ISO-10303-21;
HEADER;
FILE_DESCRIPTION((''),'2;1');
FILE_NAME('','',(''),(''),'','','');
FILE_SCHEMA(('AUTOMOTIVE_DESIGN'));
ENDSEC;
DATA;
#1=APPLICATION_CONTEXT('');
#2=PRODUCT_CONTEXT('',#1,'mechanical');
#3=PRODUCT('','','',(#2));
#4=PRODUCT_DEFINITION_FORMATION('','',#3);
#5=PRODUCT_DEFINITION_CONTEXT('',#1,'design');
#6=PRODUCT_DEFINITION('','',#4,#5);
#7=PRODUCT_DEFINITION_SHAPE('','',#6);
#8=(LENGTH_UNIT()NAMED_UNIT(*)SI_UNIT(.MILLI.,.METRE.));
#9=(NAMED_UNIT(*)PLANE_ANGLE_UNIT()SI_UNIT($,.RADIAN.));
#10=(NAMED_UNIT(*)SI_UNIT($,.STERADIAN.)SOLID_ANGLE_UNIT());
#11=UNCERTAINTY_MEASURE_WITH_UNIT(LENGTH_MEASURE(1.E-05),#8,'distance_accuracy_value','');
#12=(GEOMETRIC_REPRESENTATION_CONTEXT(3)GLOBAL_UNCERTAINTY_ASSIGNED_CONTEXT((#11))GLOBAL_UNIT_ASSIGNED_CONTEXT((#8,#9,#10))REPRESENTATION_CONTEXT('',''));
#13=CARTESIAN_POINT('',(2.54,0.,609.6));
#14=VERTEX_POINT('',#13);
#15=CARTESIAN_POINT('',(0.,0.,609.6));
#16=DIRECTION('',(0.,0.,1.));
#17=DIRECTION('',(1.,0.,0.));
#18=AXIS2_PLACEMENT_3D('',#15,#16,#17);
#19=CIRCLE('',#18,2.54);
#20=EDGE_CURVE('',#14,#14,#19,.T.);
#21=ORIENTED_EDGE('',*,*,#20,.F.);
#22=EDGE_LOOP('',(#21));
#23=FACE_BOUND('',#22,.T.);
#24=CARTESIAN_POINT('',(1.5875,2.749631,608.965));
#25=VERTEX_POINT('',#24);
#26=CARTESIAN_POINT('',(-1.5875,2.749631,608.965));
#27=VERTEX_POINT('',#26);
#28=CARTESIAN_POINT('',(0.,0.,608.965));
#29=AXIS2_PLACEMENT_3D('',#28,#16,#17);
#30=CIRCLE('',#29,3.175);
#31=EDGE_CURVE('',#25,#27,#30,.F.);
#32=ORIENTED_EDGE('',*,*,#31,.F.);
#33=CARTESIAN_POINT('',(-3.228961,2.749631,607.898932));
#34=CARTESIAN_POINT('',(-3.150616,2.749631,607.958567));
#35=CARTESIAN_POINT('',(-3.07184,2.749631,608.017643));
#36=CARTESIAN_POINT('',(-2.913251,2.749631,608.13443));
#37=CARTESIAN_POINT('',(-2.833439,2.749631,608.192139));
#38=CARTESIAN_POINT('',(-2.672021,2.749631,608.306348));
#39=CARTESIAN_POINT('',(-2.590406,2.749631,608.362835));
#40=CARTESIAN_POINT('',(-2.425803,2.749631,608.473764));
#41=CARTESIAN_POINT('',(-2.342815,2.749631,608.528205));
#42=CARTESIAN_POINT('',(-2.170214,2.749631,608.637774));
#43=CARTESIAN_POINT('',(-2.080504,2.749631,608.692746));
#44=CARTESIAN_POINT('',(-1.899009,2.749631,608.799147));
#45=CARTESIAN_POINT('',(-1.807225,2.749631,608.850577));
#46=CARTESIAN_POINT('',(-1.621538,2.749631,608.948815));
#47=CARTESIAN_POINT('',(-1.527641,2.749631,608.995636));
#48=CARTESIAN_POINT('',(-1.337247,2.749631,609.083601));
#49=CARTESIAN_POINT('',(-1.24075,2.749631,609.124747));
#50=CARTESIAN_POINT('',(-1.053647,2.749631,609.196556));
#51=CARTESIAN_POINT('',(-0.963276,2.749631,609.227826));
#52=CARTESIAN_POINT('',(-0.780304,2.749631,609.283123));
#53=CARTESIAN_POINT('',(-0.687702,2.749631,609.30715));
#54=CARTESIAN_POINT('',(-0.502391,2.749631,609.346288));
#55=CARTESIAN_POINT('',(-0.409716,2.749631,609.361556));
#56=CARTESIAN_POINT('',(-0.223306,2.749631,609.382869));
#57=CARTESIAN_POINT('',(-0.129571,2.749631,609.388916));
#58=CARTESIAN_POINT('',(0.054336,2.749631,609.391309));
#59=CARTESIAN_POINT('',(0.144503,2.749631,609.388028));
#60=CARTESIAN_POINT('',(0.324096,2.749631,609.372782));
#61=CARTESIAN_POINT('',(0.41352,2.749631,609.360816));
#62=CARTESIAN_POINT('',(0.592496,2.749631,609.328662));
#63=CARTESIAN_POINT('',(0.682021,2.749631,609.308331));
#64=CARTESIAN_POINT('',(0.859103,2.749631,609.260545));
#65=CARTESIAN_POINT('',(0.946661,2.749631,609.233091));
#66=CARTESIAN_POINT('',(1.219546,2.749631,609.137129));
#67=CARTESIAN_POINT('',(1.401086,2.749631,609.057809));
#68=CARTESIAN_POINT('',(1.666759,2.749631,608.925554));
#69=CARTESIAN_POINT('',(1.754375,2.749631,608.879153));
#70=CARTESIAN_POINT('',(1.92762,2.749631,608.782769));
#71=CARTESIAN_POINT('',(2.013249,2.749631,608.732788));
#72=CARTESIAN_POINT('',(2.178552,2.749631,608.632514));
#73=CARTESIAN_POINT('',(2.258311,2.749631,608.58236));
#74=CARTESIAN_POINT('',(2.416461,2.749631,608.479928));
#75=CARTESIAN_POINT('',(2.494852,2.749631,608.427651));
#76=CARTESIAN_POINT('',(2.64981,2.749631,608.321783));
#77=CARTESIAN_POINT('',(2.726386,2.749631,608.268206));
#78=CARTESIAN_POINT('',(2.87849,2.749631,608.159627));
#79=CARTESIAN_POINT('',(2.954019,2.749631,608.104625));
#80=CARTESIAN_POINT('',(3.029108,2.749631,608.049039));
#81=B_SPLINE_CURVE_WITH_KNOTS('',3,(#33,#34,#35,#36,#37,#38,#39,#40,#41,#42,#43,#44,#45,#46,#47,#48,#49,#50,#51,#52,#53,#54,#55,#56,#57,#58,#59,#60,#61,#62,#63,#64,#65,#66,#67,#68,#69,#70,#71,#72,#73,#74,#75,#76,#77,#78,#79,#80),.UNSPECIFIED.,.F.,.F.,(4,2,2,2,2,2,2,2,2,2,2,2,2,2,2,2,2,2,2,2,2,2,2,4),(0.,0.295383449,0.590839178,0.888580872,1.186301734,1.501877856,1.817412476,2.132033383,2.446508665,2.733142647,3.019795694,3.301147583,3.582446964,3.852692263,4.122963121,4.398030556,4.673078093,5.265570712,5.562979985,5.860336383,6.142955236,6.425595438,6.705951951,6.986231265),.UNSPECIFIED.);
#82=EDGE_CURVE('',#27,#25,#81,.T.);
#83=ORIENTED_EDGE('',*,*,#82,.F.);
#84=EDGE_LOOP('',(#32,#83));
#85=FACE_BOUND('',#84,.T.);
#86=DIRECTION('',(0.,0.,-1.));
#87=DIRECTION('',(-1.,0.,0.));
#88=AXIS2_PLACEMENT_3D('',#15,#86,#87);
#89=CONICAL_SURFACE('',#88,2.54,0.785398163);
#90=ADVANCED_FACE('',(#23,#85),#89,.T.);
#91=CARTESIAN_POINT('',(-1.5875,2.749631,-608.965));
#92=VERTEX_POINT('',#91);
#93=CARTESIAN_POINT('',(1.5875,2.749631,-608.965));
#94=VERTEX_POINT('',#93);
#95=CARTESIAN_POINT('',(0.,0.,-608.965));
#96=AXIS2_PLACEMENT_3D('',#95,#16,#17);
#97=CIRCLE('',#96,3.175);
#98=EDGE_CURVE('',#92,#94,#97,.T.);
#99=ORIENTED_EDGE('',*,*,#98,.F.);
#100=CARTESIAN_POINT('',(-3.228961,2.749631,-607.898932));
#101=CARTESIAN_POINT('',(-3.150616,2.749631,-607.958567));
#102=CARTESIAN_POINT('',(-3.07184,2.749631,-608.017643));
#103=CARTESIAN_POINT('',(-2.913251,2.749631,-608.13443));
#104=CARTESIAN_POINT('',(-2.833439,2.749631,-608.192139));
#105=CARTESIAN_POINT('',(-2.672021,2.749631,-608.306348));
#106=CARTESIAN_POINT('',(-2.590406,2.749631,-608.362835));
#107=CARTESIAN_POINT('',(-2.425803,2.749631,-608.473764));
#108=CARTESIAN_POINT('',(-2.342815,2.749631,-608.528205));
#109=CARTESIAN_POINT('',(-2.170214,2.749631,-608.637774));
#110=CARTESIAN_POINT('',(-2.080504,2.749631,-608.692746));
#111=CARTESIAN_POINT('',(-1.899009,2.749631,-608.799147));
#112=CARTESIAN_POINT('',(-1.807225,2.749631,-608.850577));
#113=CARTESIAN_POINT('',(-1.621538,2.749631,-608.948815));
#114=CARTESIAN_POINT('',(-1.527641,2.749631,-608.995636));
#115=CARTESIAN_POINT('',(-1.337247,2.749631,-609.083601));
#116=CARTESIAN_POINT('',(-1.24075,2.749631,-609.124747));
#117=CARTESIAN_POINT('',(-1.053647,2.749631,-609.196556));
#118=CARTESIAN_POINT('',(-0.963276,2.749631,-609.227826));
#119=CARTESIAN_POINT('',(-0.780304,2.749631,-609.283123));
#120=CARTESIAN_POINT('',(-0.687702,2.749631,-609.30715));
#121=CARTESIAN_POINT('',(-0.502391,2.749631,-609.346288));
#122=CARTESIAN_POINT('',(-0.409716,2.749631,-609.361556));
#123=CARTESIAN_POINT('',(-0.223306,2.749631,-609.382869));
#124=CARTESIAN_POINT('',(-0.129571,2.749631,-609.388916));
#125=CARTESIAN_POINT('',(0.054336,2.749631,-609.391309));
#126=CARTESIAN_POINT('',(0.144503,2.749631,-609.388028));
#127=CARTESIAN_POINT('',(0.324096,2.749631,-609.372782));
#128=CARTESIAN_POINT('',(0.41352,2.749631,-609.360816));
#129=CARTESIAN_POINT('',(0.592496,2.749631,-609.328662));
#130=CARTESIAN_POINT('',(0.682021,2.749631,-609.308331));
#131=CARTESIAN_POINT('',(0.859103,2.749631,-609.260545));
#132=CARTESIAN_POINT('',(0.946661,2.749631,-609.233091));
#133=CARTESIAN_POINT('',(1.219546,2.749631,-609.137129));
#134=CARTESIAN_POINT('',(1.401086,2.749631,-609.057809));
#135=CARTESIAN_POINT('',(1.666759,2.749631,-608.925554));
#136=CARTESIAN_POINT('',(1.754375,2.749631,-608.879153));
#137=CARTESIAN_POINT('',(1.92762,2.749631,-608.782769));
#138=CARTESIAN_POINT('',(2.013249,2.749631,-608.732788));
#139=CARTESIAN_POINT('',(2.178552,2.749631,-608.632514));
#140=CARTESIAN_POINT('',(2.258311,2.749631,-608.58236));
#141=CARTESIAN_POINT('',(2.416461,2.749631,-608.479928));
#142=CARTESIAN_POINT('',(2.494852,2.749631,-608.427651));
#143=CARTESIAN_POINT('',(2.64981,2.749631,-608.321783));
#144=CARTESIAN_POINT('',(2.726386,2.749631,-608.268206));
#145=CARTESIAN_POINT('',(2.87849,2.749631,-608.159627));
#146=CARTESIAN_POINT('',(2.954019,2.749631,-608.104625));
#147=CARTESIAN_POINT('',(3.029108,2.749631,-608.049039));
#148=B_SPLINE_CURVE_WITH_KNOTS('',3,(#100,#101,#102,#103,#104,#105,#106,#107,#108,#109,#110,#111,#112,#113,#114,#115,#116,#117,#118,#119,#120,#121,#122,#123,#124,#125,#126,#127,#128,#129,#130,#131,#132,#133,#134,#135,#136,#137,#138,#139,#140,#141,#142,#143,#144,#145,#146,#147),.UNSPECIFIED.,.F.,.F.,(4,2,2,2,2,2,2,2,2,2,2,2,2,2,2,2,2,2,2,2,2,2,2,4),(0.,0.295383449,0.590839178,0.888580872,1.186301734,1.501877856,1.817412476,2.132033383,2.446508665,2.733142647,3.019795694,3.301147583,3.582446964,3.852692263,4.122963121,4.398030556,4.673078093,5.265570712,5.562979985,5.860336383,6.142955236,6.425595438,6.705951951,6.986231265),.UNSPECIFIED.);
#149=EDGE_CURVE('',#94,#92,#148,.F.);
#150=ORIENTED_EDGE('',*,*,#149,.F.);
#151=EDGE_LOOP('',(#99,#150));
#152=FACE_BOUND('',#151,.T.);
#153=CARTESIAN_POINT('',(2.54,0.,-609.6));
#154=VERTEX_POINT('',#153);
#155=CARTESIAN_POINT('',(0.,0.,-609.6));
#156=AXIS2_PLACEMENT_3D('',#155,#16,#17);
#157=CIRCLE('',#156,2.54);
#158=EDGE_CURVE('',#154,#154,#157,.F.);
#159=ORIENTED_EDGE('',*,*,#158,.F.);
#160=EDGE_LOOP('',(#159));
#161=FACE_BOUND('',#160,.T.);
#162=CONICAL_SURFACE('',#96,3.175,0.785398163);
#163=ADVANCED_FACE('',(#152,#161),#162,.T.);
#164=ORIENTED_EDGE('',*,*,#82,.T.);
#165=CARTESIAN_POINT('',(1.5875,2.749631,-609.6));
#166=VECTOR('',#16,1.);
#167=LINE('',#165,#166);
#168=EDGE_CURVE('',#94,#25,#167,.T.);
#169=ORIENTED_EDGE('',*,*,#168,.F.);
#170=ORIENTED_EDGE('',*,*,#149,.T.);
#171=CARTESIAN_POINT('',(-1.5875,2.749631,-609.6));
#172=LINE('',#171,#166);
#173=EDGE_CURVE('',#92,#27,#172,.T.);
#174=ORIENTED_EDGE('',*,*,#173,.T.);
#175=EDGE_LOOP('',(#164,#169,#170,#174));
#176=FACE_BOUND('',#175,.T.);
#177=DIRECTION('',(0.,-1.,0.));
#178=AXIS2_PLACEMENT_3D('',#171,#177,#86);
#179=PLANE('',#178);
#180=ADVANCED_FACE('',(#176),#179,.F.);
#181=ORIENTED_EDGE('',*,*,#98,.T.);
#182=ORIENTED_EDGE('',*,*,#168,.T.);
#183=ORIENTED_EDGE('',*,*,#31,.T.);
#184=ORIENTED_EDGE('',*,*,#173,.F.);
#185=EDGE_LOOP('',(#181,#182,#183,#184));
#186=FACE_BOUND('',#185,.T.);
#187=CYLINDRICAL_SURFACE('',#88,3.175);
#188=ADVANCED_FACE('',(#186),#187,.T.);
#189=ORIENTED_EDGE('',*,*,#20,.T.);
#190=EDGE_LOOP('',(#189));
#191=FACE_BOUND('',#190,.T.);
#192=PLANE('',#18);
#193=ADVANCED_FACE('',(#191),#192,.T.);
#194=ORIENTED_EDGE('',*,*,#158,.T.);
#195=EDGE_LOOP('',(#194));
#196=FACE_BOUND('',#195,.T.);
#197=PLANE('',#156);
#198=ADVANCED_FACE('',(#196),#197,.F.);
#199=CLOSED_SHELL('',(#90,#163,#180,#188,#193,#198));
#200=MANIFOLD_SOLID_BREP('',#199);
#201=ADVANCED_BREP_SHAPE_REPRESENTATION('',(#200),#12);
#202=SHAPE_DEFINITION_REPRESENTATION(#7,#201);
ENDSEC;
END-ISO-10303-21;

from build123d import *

# Parameters (mm, degrees)
SKETCH1_R           = 3.175
EXTRUDE1_DEPTH      = 609.6
CHAMFER1_SIZE       = 0.635
EXTRUDE7_DEPTH      = 610.616536234
EXTRUDE7_DEPTH_BACK = 610.616536234


with BuildPart() as part:
    # Sketch1 → Extrude1 (new, symmetric)
    with BuildSketch(Plane.XY):
        with Locations(Location((0, 0, 0), (0, 0, 180))):
            Circle(SKETCH1_R)
    extrude(amount=EXTRUDE1_DEPTH, both=True)

    # Chamfer1
    chamfer1_edges = [part.edges().sort_by_distance(p)[0] for p in [
        (3.175, 0, -609.6),
        (3.175, 0, 609.6),
    ]]
    chamfer(chamfer1_edges, length=CHAMFER1_SIZE)

    # Sketch13 → Extrude7 (cut, two sides: drawn at the far end of the back side and taken through both)
    with BuildSketch(Plane.XY.offset(-EXTRUDE7_DEPTH_BACK)):
        with BuildLine():
            Line((-1.5875, 2.749630657), (1.5875, 2.749630657))
            ThreePointArc((1.5875, 2.749630657), (0, 3.175), (-1.5875, 2.749630657))
        make_face()
    extrude(amount=EXTRUDE7_DEPTH + EXTRUDE7_DEPTH_BACK, mode=Mode.SUBTRACT)


solid = part.part
